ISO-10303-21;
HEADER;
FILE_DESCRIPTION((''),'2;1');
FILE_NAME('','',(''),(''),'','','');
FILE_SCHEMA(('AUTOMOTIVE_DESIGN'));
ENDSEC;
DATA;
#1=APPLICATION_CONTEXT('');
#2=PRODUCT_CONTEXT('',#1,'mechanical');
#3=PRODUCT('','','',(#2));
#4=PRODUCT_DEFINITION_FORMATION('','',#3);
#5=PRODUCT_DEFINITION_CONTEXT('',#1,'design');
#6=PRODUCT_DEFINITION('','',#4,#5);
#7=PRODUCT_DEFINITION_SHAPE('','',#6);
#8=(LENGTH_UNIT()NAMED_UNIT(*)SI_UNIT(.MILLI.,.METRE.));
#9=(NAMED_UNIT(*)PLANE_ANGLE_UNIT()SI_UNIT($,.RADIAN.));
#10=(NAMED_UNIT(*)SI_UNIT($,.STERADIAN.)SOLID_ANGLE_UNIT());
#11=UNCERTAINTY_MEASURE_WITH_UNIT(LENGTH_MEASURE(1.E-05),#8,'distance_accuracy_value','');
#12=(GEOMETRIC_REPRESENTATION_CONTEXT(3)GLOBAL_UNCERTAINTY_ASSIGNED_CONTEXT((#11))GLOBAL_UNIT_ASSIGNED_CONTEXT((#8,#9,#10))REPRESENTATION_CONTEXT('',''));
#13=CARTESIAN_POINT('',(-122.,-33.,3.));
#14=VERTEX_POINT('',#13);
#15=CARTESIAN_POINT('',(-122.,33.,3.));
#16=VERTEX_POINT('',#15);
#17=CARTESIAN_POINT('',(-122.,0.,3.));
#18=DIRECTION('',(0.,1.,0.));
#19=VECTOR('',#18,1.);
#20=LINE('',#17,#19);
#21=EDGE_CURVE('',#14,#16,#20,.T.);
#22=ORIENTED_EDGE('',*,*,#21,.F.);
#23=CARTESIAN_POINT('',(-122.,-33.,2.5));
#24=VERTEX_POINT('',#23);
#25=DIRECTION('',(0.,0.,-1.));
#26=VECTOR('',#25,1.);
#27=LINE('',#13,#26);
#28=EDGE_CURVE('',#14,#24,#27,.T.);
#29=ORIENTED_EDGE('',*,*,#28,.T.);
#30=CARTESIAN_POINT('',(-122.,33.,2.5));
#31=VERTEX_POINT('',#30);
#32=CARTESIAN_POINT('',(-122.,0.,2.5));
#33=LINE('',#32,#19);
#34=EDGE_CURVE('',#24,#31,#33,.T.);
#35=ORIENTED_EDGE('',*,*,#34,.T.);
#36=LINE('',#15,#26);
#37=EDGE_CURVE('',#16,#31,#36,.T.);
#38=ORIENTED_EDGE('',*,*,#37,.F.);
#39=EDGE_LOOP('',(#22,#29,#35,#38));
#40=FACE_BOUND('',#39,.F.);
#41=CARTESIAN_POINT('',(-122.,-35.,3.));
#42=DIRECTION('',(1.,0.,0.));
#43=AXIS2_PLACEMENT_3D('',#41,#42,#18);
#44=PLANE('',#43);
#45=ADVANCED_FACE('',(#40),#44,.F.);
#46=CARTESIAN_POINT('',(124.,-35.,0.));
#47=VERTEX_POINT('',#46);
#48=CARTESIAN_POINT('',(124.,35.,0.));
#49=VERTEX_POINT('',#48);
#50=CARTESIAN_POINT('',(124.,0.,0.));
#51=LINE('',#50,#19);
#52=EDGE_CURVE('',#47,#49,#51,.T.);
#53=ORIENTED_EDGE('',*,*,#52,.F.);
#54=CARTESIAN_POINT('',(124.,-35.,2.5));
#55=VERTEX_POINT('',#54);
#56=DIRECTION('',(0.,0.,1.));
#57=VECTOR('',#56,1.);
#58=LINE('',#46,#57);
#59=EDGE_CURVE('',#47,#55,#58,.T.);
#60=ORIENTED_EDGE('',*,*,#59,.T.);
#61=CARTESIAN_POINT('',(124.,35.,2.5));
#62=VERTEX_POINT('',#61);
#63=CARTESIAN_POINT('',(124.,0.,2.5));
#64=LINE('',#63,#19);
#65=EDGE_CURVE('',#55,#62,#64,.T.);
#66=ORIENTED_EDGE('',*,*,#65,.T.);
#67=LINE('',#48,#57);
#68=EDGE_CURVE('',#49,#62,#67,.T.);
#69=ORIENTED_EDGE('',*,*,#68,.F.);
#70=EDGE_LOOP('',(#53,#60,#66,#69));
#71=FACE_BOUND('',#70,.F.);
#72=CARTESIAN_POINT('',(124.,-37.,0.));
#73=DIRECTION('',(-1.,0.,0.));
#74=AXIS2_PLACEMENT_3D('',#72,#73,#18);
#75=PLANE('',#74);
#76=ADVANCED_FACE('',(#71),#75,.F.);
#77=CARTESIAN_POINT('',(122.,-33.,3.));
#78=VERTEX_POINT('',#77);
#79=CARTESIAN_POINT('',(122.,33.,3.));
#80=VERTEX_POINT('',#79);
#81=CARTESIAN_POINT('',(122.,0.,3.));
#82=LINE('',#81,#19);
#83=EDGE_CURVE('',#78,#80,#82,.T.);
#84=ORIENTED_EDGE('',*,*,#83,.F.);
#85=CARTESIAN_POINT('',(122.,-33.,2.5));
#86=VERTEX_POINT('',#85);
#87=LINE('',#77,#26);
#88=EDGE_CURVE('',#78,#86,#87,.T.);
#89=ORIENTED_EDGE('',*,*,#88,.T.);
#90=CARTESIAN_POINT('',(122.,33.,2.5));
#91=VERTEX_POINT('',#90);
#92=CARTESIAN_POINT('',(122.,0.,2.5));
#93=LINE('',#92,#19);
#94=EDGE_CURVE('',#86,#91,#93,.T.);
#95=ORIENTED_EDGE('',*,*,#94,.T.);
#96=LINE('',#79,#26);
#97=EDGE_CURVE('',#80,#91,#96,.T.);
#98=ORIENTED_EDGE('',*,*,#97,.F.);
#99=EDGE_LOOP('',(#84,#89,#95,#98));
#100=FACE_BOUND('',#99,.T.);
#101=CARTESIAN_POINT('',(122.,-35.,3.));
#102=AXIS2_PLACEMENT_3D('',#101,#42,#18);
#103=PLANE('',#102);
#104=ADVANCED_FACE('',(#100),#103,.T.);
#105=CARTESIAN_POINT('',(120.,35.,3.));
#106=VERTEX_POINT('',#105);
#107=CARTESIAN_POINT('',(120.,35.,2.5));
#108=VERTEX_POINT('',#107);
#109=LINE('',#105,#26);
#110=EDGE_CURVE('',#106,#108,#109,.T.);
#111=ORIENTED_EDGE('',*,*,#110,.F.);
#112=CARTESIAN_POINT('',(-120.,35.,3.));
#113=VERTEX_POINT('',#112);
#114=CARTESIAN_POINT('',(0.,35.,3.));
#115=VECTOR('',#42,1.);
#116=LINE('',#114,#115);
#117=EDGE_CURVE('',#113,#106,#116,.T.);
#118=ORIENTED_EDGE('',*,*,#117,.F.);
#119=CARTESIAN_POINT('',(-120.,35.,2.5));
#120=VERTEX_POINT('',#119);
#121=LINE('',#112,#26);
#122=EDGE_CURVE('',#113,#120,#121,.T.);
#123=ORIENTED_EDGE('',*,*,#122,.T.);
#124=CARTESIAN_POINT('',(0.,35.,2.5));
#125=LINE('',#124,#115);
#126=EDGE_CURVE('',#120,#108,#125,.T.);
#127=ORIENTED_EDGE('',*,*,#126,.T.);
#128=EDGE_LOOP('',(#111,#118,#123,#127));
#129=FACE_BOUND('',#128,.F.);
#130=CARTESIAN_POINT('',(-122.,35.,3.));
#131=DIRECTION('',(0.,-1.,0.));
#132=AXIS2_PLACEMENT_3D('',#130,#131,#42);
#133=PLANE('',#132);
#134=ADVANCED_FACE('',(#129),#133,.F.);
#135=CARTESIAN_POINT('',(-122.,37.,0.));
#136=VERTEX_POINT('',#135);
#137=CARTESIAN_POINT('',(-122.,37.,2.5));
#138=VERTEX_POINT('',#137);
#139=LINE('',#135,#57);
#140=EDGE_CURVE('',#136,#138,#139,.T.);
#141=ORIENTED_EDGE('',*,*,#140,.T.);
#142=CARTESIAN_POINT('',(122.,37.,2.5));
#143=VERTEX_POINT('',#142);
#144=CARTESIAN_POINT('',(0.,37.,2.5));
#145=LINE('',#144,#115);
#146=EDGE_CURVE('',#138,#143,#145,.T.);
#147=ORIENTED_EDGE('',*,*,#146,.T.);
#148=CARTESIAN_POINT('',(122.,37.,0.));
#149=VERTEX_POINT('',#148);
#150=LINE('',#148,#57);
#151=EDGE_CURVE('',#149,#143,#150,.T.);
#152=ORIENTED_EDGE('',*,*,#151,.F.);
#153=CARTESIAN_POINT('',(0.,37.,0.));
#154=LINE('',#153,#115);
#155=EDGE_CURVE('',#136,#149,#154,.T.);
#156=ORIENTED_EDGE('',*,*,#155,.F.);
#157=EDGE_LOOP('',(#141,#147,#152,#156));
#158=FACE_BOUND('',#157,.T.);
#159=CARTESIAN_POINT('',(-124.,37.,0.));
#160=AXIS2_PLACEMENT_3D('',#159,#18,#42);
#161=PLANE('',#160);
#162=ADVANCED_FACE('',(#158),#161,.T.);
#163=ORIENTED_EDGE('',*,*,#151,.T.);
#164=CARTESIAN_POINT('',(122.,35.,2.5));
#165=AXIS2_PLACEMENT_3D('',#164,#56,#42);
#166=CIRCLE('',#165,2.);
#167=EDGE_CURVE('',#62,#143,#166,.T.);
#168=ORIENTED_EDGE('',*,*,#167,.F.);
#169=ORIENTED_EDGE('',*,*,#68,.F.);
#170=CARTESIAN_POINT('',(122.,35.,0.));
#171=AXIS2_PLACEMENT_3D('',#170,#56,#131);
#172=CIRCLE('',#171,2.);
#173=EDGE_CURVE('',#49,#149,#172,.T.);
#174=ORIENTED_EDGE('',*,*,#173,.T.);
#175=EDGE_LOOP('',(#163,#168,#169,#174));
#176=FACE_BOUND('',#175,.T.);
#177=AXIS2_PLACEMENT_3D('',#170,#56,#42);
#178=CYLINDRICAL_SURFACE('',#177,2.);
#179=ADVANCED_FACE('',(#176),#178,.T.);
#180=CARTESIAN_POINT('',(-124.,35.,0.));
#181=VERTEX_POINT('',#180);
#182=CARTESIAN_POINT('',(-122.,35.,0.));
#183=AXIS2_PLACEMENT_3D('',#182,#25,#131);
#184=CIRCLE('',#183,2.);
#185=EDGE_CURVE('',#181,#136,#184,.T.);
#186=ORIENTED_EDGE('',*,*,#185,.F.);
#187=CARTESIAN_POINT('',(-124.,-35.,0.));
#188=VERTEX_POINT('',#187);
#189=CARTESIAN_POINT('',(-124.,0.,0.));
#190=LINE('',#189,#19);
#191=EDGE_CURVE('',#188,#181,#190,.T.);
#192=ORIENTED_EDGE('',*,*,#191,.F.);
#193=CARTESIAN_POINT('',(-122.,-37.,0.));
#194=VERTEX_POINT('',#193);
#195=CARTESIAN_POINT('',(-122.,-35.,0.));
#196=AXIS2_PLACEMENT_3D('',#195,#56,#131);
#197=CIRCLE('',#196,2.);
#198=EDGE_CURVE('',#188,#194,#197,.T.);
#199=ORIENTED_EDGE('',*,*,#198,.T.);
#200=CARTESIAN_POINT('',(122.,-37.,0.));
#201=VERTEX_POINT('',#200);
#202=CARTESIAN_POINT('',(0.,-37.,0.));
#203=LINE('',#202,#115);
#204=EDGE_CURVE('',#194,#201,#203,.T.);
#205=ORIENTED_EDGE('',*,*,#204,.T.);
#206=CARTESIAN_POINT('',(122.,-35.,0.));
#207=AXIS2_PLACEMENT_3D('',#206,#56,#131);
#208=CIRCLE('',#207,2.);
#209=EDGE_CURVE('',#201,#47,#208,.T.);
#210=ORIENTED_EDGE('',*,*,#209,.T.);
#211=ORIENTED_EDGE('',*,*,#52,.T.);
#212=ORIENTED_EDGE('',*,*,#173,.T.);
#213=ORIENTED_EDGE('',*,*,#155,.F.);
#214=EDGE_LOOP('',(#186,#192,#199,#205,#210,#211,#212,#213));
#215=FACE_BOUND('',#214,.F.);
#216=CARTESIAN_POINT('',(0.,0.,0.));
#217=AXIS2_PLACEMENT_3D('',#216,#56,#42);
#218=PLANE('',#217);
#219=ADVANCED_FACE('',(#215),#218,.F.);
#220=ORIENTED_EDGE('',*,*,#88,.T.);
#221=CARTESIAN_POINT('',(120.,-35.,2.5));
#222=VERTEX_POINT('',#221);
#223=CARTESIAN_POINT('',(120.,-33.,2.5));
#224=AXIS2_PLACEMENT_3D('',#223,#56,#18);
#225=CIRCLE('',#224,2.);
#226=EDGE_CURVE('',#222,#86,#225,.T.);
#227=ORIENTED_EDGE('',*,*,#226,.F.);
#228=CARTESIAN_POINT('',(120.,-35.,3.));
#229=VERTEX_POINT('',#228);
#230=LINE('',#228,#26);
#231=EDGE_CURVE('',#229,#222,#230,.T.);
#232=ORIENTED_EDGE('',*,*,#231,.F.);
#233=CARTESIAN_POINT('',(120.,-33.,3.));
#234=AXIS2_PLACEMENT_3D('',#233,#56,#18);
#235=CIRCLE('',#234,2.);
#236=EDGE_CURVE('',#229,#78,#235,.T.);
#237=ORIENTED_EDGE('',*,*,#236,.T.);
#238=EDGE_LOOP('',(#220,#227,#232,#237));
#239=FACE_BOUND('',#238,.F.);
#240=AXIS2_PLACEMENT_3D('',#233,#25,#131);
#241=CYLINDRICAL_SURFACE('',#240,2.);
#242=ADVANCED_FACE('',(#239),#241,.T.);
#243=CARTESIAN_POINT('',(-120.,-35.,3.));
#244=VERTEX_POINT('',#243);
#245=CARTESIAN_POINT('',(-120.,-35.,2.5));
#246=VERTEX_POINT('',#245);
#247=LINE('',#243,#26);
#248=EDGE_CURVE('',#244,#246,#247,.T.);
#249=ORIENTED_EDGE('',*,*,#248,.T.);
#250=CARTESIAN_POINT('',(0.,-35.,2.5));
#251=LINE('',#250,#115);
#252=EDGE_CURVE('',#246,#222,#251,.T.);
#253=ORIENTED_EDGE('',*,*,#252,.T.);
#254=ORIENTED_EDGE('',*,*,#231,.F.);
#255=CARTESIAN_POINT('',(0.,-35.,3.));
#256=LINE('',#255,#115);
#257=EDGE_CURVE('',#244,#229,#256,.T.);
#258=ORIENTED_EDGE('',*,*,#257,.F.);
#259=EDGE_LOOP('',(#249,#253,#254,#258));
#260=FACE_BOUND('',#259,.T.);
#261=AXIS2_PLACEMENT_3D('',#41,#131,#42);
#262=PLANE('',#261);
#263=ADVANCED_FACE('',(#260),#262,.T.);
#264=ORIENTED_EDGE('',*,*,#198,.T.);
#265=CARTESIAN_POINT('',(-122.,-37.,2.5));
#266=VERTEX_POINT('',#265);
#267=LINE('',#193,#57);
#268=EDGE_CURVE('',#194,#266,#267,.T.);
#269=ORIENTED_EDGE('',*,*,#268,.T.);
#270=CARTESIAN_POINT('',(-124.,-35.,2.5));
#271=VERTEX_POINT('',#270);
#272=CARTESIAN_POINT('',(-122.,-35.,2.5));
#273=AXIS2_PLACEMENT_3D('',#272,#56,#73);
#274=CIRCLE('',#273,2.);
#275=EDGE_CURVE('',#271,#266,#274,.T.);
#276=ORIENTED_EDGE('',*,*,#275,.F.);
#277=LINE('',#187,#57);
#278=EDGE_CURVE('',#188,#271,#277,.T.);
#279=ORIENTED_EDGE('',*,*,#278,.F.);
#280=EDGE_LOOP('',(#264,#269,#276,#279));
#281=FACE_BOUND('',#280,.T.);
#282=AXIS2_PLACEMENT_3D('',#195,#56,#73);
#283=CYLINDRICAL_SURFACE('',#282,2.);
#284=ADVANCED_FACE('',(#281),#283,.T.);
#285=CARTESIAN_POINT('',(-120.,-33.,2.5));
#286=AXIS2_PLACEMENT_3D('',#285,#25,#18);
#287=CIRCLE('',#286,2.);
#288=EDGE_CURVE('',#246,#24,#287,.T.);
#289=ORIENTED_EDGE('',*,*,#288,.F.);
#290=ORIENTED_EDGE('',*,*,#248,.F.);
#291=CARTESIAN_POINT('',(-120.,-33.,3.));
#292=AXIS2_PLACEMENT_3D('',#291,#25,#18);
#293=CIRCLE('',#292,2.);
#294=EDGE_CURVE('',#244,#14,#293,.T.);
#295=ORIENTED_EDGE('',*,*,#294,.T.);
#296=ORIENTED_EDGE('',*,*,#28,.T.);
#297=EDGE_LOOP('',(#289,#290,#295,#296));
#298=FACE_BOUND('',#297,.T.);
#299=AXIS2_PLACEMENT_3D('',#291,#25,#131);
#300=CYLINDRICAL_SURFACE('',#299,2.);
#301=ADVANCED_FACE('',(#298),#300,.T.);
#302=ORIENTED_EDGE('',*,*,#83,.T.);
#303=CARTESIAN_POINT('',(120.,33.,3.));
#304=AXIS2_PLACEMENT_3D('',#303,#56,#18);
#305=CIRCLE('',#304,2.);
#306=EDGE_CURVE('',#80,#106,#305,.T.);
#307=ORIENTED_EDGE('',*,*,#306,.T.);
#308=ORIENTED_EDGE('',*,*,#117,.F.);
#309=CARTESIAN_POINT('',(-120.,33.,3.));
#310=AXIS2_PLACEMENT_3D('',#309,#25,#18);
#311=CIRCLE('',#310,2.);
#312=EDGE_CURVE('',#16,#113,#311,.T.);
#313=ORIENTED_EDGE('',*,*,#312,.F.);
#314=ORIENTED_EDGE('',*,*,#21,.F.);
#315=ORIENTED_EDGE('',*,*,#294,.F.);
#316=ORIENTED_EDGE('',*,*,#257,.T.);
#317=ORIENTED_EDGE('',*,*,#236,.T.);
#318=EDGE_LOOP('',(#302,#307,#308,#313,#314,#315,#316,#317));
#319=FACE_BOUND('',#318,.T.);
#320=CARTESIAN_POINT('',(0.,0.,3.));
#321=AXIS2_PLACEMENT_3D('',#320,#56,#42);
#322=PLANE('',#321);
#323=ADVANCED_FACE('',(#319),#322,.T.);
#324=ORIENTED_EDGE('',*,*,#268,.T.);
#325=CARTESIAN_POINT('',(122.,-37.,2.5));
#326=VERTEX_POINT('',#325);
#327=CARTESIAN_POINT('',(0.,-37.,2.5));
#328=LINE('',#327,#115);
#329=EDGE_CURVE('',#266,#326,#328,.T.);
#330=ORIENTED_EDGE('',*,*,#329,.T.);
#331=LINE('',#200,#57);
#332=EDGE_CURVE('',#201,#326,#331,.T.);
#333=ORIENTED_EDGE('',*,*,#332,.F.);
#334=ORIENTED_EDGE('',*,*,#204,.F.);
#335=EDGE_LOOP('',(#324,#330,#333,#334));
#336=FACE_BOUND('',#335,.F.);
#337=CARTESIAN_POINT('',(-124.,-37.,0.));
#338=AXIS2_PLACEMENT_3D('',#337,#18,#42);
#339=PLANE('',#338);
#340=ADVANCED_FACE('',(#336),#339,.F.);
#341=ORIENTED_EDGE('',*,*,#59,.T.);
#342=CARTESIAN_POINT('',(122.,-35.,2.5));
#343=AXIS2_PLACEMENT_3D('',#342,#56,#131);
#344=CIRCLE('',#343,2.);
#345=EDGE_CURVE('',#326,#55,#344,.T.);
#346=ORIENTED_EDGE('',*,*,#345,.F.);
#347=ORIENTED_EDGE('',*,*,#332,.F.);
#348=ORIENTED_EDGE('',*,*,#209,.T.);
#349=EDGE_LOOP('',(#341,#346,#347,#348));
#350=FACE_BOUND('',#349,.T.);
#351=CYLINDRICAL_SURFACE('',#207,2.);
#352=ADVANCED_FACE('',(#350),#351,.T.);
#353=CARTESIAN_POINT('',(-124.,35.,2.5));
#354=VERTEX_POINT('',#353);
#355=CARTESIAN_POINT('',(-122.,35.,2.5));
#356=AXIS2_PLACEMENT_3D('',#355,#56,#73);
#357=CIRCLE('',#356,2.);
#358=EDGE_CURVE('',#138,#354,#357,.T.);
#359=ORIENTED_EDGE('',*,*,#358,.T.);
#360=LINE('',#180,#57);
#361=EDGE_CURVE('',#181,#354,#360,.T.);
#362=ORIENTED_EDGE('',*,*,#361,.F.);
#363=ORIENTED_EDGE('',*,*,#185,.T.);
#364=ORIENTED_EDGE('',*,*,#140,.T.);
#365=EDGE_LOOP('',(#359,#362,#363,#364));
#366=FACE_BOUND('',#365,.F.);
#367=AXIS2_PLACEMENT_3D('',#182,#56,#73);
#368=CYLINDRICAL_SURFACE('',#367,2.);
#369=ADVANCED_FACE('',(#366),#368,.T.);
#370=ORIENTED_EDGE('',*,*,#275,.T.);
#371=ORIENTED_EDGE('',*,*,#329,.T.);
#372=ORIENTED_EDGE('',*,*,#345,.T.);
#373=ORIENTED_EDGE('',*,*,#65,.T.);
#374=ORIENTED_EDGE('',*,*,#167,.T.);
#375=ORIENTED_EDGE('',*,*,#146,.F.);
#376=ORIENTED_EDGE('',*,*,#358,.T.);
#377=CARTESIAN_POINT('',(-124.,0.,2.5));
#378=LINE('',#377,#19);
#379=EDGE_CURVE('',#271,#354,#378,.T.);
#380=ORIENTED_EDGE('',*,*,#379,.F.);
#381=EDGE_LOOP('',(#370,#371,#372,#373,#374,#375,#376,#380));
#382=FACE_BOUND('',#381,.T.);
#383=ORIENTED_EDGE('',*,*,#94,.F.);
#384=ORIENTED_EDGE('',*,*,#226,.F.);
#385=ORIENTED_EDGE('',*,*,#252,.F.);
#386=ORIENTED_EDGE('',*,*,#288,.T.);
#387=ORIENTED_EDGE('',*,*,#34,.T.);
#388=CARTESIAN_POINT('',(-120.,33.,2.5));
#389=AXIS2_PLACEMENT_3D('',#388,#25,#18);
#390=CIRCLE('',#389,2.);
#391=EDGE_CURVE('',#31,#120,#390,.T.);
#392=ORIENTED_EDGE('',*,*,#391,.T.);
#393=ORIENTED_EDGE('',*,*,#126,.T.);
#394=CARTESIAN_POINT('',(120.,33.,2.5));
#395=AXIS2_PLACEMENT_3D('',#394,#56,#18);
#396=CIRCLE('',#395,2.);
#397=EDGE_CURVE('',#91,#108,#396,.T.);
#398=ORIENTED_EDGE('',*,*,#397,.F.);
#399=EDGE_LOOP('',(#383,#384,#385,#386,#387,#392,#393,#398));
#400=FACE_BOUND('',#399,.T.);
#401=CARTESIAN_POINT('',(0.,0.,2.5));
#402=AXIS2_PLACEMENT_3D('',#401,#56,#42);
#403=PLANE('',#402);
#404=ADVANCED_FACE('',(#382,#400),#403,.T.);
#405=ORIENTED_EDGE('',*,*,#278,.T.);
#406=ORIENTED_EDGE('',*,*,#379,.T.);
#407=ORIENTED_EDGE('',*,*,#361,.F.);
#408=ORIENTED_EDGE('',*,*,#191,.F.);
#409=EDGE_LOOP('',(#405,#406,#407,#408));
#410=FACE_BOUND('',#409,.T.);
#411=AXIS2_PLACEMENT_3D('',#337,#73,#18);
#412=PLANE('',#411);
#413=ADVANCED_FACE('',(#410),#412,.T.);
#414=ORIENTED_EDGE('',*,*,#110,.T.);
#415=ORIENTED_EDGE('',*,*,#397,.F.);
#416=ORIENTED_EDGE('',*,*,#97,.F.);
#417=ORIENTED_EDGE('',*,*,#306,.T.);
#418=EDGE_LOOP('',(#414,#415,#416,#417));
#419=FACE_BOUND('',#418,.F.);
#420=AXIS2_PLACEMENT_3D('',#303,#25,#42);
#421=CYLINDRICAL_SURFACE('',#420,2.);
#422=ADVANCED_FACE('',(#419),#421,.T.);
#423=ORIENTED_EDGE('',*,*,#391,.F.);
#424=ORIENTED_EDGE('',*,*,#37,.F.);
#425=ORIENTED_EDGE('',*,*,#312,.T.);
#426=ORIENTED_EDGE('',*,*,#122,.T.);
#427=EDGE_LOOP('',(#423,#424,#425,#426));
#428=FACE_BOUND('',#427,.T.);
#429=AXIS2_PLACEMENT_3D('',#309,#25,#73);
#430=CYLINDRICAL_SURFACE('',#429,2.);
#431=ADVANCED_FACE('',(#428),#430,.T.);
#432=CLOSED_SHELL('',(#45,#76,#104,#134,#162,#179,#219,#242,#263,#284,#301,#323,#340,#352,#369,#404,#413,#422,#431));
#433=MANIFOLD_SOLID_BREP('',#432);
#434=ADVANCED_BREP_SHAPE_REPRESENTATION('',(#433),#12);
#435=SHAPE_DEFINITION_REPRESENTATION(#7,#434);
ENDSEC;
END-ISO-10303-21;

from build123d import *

# Parameters (mm, degrees)
SKETCH_W      = 248
SKETCH_H      = 74
PAD_DEPTH     = 3
FILLET_R      = 2
SKETCH001_W   = 248
SKETCH001_H   = 74
SKETCH001_W_2 = 244
SKETCH001_H_2 = 70
POCKET_DEPTH  = 0.5
FILLET001_R   = 2


with BuildPart() as part:
    # Sketch → Pad (new body)
    with BuildSketch(Plane.XY):
        Rectangle(SKETCH_W, SKETCH_H)
    extrude(amount=PAD_DEPTH)

    # Fillet
    fillet_edges = [part.edges().sort_by_distance(p)[0] for p in [
        (124, -37, 1.5),
        (124, 37, 1.5),
        (-124, 37, 1.5),
        (-124, -37, 1.5),
    ]]
    fillet(fillet_edges, radius=FILLET_R)

    # Sketch001 (on Face5 of Fillet) → Pocket (cut)
    with BuildSketch(Plane.XY.offset(3)):
        Rectangle(SKETCH001_W, SKETCH001_H)
        Rectangle(SKETCH001_W_2, SKETCH001_H_2, mode=Mode.SUBTRACT)
    extrude(amount=-POCKET_DEPTH, mode=Mode.SUBTRACT)

    # Fillet001
    fillet001_edges = [part.edges().sort_by_distance(p)[0] for p in [
        (122, -35, 2.75),
        (122, 35, 2.75),
        (-122, -35, 2.75),
        (-122, 35, 2.75),
    ]]
    fillet(fillet001_edges, radius=FILLET001_R)


solid = part.part
